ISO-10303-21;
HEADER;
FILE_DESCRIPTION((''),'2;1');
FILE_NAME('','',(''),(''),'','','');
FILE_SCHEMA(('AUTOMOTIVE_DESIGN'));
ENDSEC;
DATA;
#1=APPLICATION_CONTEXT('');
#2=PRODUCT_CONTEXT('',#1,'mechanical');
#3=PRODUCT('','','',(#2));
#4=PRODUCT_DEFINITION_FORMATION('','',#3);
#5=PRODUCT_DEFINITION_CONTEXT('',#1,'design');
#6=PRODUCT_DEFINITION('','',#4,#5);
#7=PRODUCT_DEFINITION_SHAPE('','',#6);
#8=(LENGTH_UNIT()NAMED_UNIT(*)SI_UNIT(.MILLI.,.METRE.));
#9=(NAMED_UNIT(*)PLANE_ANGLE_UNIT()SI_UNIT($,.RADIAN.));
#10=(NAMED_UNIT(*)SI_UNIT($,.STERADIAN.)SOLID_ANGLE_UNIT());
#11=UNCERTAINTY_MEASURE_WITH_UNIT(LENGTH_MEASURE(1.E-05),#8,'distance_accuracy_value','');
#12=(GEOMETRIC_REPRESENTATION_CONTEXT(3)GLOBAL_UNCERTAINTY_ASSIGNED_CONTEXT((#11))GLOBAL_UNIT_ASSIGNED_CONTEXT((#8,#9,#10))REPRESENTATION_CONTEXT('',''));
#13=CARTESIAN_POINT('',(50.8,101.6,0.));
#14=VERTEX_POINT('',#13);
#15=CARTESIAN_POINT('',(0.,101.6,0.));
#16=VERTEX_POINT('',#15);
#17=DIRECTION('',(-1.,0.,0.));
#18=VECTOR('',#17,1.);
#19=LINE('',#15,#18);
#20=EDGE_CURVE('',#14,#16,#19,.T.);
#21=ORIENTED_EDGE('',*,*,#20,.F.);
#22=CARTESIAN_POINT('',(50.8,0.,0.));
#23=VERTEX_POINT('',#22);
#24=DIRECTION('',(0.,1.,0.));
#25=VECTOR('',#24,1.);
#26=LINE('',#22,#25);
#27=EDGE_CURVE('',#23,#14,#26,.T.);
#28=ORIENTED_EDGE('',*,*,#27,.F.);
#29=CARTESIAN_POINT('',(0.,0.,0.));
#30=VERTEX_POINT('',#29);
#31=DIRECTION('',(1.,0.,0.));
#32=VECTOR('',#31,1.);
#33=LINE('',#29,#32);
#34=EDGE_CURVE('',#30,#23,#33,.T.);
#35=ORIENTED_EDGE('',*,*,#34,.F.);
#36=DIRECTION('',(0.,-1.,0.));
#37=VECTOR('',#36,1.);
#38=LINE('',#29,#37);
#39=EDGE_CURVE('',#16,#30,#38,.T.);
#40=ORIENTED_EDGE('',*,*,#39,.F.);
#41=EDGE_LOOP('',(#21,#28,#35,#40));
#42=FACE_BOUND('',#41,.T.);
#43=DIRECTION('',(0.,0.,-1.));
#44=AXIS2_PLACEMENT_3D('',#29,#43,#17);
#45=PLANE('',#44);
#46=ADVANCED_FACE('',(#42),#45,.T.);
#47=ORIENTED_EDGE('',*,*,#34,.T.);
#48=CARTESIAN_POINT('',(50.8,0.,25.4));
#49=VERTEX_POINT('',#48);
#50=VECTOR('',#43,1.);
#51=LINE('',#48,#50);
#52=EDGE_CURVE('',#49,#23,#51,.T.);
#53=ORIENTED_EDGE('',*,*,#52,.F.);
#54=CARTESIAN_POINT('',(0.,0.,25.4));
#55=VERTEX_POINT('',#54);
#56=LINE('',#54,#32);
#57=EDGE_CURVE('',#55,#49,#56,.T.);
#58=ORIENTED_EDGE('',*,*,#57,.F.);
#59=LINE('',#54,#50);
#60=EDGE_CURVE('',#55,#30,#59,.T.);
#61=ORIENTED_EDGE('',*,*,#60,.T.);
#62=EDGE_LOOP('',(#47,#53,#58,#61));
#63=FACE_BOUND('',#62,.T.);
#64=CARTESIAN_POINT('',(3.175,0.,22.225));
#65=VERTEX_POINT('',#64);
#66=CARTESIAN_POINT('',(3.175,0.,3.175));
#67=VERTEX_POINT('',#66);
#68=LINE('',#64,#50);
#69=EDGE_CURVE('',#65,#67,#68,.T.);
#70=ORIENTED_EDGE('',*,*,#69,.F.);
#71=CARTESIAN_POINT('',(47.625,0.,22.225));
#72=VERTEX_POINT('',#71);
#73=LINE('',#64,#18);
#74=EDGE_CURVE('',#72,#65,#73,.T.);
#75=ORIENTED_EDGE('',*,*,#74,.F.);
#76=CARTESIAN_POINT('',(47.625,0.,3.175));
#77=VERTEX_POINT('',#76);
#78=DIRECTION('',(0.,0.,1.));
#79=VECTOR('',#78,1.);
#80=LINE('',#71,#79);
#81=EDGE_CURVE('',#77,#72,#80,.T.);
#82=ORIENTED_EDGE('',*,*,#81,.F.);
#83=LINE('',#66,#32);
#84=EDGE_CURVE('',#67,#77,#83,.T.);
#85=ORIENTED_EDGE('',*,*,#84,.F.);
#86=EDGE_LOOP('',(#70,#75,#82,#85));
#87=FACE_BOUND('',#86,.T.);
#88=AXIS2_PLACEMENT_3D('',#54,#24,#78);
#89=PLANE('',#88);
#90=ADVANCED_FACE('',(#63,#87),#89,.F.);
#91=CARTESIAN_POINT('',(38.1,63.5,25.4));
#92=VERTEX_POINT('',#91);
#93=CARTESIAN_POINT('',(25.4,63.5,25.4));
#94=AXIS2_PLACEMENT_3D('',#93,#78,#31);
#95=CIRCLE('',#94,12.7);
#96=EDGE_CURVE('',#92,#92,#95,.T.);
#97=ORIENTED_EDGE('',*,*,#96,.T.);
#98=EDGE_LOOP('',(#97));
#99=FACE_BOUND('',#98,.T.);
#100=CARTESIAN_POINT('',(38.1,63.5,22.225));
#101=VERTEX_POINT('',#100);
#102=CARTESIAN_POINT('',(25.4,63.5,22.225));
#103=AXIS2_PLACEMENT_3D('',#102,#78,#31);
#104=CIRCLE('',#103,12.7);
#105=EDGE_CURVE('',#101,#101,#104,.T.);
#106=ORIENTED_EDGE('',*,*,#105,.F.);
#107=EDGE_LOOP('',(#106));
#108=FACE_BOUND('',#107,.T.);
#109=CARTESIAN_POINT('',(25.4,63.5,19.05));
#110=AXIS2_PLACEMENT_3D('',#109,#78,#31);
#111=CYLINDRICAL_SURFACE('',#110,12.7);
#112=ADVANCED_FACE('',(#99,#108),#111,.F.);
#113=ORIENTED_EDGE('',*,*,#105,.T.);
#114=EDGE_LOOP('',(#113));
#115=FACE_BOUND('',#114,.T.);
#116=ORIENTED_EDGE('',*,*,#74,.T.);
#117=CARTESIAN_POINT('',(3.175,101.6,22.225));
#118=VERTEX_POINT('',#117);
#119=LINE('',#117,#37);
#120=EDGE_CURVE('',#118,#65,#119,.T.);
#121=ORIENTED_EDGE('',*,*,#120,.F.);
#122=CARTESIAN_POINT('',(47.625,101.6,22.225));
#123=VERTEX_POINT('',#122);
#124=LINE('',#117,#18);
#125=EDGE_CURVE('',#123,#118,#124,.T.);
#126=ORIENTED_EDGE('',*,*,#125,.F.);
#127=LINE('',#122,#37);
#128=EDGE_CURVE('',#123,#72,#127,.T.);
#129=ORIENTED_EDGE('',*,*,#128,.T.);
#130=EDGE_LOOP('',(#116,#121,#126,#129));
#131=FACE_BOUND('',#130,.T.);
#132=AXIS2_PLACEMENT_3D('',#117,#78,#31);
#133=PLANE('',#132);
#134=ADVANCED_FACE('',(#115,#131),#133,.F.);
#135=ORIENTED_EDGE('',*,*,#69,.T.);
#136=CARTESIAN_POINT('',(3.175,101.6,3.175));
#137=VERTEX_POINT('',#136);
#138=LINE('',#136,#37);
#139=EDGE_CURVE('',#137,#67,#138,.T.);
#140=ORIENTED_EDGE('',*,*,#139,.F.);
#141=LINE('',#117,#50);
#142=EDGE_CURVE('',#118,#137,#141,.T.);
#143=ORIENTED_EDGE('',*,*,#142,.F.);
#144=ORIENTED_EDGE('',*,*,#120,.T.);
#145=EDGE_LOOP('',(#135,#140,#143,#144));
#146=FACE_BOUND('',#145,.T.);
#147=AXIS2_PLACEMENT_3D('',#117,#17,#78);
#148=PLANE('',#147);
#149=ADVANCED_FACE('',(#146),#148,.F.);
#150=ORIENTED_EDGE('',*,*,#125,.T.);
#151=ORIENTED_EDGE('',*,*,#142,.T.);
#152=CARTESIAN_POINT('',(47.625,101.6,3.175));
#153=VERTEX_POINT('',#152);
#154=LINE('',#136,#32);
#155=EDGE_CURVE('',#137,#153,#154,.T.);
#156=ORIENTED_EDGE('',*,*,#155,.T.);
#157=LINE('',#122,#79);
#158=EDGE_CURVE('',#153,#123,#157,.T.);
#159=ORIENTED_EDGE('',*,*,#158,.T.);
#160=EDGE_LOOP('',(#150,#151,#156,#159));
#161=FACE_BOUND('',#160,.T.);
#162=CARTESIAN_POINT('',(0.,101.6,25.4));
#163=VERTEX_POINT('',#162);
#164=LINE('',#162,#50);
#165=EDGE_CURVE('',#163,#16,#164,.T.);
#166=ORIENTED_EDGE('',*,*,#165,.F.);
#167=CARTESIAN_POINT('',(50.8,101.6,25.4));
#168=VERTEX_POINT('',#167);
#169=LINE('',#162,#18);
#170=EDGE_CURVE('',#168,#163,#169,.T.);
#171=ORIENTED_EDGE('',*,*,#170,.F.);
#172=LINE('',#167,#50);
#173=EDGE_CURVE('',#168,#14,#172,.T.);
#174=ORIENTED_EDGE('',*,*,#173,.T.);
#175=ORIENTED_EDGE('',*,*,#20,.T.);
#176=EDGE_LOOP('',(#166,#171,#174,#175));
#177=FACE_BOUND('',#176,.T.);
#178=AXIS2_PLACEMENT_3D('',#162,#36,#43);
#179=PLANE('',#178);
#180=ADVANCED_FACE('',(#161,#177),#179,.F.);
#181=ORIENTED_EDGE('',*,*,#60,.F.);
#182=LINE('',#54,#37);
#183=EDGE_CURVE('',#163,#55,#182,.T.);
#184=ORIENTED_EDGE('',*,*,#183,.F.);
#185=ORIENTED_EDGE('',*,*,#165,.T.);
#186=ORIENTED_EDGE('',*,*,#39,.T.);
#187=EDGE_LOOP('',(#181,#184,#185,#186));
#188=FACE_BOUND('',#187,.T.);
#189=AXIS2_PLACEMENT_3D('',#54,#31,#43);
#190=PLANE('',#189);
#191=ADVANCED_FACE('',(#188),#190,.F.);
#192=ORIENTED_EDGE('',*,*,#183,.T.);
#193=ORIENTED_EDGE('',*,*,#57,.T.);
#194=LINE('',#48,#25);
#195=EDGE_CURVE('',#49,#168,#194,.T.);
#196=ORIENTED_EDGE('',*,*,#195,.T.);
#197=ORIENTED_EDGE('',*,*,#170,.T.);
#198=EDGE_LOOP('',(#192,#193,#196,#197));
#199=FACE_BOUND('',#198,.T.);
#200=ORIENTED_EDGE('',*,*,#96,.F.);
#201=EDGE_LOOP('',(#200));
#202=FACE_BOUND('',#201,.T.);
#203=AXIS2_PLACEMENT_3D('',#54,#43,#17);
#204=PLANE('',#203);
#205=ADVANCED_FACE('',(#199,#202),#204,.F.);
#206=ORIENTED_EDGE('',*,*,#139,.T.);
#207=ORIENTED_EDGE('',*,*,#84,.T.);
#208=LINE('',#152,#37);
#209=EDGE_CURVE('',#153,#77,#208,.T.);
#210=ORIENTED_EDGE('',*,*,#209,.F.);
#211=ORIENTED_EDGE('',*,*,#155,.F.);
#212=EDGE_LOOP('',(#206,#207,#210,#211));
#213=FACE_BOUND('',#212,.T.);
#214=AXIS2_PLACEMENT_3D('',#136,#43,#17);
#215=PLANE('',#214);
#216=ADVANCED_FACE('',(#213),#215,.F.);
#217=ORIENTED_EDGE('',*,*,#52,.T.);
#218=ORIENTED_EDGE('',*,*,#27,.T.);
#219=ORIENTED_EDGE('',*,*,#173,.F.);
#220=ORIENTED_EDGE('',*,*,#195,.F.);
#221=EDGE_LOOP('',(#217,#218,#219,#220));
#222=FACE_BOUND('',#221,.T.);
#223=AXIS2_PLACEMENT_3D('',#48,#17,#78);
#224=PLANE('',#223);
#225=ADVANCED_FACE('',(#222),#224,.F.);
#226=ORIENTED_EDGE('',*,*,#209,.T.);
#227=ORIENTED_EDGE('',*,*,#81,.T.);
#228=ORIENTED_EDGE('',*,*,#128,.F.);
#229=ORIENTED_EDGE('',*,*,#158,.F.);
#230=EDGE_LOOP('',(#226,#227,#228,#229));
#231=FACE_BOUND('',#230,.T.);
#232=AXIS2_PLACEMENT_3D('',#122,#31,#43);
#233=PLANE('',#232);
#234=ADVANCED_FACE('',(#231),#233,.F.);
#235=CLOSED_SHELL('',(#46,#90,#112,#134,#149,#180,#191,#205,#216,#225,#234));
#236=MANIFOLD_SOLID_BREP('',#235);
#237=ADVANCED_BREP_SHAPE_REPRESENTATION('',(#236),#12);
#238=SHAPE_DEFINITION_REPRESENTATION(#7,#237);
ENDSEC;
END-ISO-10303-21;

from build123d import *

# Parameters (mm, degrees)
SKETCH1_W           = 50.8
SKETCH1_H           = 101.6
BOSS_EXTRUDE1_DEPTH = 25.4
SKETCH2_W           = 44.45
SKETCH2_H           = 19.05
CUT_EXTRUDE1_DEPTH  = 117.397422652
SKETCH3_R           = 12.7
CUT_EXTRUDE2_DEPTH  = 6.35


with BuildPart() as part:
    # Sketch1 → Boss-Extrude1 (new body)
    with BuildSketch(Plane.XY):
        with Locations((25.4, 50.8)):
            Rectangle(SKETCH1_W, SKETCH1_H)
    extrude(amount=BOSS_EXTRUDE1_DEPTH)

    # Sketch2 → Cut-Extrude1 (cut, through all)
    with BuildSketch(Plane.XZ):
        with Locations((25.4, 12.7)):
            Rectangle(SKETCH2_W, SKETCH2_H)
    extrude(amount=-CUT_EXTRUDE1_DEPTH, mode=Mode.SUBTRACT)

    # Sketch3 → Cut-Extrude2 (cut)
    with BuildSketch(Plane.XY.offset(25.4)):
        with Locations((25.4, 63.5)):
            Circle(SKETCH3_R)
    extrude(amount=-CUT_EXTRUDE2_DEPTH, mode=Mode.SUBTRACT)


solid = part.part
